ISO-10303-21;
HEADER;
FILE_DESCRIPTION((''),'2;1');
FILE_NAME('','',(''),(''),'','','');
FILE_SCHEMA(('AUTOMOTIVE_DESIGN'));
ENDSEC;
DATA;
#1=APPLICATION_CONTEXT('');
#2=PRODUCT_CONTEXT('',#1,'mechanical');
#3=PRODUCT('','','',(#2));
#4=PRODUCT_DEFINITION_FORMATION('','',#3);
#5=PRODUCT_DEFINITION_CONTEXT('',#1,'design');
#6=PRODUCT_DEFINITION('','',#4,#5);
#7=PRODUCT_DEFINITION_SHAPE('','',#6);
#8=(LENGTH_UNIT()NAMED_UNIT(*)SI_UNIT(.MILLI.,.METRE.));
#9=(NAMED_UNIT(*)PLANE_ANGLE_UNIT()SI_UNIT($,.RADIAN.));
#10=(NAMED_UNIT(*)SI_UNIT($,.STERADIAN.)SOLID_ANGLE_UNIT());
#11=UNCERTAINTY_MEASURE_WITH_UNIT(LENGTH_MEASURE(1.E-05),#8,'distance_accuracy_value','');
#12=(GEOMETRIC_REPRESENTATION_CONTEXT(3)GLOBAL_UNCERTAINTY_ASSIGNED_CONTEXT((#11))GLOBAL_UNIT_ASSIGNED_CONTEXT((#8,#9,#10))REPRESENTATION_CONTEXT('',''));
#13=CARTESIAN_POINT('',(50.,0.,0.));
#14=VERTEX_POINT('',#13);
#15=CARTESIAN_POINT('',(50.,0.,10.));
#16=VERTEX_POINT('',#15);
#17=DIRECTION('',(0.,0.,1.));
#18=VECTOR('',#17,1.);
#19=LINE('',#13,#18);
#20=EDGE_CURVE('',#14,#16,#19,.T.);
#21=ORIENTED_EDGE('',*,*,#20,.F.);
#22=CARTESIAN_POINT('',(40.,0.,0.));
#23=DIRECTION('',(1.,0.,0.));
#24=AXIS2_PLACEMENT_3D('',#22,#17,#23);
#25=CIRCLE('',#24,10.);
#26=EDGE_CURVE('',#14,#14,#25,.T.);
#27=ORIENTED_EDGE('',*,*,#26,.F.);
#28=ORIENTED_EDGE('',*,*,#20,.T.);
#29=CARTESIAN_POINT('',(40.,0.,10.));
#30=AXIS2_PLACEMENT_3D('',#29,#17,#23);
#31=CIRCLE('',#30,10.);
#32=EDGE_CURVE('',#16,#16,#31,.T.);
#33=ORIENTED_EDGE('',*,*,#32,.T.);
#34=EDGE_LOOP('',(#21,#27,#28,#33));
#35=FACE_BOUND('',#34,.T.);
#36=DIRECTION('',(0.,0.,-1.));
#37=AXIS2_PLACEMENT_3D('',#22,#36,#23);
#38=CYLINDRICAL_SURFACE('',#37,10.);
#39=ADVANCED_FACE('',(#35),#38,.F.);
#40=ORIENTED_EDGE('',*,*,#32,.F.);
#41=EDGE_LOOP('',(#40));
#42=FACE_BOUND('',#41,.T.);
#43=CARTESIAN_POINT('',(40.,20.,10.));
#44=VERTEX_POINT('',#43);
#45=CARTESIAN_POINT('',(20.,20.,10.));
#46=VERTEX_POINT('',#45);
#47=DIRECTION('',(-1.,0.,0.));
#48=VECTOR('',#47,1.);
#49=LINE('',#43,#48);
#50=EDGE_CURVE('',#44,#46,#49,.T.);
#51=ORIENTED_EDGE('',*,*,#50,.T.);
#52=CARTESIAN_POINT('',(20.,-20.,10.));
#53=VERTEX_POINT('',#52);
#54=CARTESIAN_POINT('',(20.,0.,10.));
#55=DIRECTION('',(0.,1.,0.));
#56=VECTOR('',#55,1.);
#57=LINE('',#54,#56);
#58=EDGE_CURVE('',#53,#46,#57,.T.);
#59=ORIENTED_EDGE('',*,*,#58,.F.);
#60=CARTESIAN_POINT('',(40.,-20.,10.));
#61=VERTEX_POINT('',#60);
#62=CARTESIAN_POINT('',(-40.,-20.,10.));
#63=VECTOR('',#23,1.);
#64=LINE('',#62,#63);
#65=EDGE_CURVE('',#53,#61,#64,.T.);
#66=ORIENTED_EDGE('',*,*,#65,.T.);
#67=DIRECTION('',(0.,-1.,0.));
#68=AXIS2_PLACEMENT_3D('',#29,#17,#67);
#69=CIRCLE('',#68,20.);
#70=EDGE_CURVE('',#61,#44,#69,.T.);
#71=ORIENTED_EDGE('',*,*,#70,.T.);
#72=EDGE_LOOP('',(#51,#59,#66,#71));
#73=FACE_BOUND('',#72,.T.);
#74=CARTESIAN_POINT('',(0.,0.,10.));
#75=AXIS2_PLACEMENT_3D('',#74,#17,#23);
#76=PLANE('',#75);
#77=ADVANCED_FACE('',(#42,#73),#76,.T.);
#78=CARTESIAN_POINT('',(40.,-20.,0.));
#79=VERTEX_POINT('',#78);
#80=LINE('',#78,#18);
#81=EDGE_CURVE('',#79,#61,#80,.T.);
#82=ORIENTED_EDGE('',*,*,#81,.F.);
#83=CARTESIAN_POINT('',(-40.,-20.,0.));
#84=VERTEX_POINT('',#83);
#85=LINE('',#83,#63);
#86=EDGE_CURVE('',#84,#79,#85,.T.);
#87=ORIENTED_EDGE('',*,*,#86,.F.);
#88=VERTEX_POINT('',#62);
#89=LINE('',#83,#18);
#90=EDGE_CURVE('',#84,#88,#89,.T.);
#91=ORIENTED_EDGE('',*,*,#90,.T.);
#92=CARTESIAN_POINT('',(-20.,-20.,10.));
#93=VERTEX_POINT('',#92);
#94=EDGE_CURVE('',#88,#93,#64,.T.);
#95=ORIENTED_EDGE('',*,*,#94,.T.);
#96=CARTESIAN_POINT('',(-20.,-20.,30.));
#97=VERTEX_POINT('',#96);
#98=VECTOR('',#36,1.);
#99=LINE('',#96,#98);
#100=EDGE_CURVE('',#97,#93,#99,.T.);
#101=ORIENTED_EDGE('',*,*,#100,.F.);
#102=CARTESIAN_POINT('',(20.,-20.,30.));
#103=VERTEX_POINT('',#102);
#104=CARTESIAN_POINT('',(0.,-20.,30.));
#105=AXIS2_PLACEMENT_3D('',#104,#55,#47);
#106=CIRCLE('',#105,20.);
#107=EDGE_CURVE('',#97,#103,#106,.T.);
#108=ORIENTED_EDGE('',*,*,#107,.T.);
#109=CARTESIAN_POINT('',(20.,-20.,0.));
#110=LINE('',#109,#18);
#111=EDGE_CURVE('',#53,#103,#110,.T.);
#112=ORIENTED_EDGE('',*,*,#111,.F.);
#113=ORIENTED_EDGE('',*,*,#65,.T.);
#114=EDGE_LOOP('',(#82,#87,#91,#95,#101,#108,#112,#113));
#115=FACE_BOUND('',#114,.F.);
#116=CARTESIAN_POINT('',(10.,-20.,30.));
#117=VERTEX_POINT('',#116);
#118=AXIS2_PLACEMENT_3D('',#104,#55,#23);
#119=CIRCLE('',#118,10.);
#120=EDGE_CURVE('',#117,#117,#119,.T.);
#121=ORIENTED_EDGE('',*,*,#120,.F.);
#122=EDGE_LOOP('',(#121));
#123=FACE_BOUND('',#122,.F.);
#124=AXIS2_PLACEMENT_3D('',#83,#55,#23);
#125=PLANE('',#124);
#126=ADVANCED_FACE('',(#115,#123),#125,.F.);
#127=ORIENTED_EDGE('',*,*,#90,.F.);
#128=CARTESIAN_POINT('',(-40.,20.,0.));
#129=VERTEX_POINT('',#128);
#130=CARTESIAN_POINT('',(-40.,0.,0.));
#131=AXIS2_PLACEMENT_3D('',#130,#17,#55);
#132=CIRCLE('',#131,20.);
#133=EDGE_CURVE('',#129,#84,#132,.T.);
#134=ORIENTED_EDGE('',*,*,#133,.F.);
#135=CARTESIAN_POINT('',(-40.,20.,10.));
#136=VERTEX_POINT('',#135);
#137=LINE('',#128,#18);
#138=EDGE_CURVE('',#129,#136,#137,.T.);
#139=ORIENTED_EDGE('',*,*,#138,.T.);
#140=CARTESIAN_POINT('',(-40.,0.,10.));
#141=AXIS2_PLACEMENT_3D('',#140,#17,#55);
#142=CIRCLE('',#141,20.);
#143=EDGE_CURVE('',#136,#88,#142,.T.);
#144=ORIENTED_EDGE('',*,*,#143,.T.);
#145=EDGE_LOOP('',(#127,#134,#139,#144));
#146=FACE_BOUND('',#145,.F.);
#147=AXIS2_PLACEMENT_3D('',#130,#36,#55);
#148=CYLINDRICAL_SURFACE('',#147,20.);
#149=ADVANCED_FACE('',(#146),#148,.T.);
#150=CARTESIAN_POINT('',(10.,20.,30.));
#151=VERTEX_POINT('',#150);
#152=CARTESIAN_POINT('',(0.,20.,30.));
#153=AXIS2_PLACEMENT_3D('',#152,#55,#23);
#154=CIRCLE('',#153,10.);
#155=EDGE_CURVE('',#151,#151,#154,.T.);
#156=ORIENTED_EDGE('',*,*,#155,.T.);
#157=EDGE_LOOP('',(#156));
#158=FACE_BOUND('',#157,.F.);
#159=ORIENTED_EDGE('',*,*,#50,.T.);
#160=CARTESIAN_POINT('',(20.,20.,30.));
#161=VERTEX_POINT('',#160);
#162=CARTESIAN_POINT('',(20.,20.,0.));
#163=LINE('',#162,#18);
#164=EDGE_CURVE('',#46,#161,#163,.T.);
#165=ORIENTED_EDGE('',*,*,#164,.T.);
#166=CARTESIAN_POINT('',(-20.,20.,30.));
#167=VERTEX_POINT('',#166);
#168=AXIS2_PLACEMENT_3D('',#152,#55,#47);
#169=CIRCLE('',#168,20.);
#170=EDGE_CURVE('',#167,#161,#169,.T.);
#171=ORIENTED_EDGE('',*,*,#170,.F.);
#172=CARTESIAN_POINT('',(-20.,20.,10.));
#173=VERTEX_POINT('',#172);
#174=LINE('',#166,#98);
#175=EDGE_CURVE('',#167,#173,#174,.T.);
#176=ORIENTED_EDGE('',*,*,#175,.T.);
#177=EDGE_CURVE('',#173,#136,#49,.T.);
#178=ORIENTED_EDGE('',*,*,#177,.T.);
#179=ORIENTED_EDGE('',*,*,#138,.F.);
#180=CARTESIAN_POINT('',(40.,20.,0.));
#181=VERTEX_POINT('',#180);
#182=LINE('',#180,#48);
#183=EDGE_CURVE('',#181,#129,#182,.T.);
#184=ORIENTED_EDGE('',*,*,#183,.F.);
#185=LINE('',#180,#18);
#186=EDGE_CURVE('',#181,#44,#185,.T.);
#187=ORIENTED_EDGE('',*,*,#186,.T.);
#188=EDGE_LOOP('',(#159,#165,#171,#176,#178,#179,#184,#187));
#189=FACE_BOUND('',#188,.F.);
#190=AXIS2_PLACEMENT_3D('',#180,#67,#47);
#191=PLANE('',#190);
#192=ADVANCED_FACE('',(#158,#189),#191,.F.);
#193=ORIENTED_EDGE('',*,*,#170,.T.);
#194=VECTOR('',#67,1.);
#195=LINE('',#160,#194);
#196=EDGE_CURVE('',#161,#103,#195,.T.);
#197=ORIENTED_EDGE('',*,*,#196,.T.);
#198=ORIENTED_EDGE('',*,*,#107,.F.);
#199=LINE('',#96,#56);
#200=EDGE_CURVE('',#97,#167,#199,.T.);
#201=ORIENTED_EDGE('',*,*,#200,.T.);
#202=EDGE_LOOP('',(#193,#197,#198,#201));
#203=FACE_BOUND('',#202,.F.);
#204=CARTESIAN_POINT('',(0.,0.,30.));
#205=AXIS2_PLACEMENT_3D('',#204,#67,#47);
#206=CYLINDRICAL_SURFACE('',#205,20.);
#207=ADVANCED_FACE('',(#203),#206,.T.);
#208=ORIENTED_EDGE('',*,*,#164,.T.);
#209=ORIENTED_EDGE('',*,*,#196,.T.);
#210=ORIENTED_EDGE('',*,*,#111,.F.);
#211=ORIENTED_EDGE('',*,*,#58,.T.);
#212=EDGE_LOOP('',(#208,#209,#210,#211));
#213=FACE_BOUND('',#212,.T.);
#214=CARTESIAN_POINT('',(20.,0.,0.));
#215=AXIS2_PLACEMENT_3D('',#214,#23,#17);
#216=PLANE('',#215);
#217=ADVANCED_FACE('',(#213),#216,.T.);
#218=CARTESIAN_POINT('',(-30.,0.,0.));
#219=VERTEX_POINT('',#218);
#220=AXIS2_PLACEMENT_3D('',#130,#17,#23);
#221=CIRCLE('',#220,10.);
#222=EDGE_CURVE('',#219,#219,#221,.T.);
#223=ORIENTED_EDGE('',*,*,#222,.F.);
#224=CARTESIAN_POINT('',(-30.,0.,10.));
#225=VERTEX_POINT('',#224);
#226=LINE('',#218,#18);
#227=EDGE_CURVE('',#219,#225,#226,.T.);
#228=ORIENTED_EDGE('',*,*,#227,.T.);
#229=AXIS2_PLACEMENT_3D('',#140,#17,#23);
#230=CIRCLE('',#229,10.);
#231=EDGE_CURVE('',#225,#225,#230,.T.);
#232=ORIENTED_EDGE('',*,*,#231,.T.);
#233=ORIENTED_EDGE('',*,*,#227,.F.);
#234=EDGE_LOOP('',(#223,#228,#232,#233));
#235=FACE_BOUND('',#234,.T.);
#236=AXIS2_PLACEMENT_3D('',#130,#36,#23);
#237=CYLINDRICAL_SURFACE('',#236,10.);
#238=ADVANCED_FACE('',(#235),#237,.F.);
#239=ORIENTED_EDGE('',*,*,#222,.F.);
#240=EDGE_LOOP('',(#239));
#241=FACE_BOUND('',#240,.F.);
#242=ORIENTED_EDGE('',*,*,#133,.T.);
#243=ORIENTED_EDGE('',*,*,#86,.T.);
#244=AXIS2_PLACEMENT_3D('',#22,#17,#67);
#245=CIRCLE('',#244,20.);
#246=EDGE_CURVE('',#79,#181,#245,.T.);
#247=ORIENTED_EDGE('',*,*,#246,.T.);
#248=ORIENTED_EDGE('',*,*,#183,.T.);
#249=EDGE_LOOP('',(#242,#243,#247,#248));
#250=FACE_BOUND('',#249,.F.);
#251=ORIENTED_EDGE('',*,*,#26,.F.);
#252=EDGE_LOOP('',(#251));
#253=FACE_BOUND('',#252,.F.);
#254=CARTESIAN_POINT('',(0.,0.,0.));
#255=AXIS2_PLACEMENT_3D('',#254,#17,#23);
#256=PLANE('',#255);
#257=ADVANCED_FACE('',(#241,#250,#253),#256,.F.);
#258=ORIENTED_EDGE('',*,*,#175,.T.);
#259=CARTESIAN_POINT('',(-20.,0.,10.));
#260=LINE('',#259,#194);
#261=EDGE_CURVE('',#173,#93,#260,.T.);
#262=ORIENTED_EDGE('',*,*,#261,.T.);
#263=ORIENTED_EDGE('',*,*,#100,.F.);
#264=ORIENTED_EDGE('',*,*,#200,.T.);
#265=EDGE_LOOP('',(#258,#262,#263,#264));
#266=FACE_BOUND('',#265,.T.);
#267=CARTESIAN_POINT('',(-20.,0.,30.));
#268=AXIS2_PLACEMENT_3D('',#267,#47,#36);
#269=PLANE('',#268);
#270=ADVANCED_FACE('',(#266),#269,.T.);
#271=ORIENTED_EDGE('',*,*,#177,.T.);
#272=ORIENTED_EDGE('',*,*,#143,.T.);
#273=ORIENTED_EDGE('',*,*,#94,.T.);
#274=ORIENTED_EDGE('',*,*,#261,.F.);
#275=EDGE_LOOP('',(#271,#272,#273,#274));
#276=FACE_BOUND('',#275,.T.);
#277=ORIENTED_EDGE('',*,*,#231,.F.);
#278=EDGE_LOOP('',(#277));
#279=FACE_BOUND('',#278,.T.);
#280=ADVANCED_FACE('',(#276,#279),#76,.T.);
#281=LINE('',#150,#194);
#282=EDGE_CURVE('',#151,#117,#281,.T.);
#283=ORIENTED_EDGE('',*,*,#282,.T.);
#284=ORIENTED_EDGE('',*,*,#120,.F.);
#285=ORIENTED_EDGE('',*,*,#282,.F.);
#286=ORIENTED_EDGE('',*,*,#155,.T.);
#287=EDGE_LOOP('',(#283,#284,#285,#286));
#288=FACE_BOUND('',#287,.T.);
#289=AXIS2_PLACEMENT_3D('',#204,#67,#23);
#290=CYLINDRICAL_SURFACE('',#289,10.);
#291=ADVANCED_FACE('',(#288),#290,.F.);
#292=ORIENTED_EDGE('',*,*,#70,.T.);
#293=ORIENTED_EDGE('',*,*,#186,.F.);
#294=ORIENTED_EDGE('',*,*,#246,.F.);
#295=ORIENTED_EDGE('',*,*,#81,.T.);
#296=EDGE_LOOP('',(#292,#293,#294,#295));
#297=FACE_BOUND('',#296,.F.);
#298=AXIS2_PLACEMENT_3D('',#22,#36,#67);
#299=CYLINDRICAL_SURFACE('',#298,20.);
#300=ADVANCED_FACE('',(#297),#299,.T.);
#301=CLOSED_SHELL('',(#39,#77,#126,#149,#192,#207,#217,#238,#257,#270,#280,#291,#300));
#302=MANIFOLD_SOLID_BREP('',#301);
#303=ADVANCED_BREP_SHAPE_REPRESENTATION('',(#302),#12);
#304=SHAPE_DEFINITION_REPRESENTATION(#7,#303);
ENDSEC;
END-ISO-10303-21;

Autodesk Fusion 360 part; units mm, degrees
sketch "Baza" plane through (0, 0, 0) normal (0, 0, 1) x (1, 0, 0)
  line L0 (40, 20) -> (-40, 20)
  line L1 (-40, -20) -> (40, -20)
  circle A0 centre (40, 0) radius 10
  circle A1 centre (-40, 0) radius 10
  line L2 (-30, 0) -> (-20, 0) construction
  line L3 (20, 0) -> (40, 0) construction
  arc A2 (40, -20) -> (40, 20) centre (40, 0) ccw
  arc A3 (-40, 20) -> (-40, -20) centre (-40, 0) ccw
  dimension "d1" = 40
  dimension "d2" = 80
  dimension "d5" = 40
  dimension "d6" = 20
  dimension "d7" = 20
extrude "Extrude1" add sketch "Baza" along normal blind 10
sketch "Inaltime" plane through (0, 0, 0) normal (0, 1, 0) x (1, 0, 0)
  line L0 (-20, 0) -> (20, 0)
  line L1 (20, 0) -> (20, -30)
  line L2 (-20, -30) -> (-20, 0)
  line L3 (-40, 0) -> (-40, -10)
  circle A0 centre (0, -30) radius 10
  arc A1 (-20, -30) -> (20, -30) centre (0, -30) ccw
  dimension "d10" = 40
  dimension "d11" = 30
  dimension "d13" = 20
  dimension "d15" = 20
extrude "Extrude2" add sketch "Inaltime" along normal mid plane 40
